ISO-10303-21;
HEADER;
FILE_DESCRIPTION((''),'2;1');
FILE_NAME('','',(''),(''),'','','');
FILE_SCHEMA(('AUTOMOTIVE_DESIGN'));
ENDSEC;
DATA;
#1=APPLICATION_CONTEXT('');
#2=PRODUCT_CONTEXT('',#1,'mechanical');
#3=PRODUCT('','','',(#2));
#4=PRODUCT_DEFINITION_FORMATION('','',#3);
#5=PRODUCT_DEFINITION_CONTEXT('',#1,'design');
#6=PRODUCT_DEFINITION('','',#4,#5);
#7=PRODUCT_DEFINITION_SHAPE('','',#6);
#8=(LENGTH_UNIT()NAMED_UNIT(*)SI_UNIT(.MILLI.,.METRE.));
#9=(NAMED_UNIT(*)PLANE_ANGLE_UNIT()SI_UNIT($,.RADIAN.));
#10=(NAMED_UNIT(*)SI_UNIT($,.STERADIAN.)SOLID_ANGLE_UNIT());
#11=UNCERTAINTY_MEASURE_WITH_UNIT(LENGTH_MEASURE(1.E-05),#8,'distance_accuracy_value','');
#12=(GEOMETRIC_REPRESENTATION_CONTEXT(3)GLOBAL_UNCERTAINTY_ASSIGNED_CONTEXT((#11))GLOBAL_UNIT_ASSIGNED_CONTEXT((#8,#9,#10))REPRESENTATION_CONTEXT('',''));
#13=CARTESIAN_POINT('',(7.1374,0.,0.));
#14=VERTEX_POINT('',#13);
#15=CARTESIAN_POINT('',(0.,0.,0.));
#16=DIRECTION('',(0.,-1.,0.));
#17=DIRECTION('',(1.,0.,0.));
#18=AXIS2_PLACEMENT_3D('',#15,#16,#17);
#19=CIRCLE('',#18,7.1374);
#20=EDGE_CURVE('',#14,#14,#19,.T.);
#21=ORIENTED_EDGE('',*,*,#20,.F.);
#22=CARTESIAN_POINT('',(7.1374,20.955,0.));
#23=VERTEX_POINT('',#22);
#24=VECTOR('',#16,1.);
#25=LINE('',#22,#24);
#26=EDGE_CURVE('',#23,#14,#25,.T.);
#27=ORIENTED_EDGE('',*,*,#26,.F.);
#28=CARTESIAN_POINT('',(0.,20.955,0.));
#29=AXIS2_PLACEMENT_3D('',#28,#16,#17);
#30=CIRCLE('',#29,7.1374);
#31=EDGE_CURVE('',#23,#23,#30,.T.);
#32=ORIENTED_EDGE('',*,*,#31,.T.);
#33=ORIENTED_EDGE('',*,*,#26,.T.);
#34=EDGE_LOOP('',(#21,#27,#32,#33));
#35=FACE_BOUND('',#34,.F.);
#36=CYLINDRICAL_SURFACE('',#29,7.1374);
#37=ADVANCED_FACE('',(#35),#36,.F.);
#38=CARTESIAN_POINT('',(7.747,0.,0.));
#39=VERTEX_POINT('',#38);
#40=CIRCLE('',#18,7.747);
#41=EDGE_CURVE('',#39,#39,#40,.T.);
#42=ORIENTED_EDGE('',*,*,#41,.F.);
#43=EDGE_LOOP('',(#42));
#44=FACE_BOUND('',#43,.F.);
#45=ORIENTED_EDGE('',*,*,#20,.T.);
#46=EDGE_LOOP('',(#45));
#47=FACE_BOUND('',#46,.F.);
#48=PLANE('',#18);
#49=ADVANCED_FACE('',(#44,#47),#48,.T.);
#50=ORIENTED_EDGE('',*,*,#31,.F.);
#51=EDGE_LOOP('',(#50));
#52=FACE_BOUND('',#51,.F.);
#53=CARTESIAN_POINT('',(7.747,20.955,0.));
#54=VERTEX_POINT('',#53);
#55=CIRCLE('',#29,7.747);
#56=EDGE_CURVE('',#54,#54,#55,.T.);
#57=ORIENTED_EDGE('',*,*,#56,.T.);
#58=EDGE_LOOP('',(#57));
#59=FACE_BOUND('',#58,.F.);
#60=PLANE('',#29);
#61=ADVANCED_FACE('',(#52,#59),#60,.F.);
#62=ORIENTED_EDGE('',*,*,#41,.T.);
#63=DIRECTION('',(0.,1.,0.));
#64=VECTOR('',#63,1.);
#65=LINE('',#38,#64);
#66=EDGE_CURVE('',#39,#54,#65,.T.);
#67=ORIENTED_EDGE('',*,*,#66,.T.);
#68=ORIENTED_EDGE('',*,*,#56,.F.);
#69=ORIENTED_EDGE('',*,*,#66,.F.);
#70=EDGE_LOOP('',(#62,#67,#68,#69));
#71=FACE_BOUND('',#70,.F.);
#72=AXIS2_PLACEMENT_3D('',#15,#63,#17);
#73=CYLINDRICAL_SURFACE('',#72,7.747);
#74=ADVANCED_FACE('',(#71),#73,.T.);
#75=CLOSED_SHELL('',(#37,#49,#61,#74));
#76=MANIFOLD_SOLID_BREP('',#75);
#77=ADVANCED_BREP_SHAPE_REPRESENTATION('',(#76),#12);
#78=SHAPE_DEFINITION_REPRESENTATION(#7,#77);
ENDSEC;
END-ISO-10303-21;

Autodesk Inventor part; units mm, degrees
sketch "Sketch_4" plane through (0, 0, 0) normal (0, 0, 1) x (1, 0, 0)
  line L0 (0, 0) -> (0, 20.955)
  line L1 (7.1374, 20.955) -> (7.1374, 0)
  line L2 (7.1374, 0) -> (7.747, 0)
  line L3 (7.747, 0) -> (7.747, 20.955)
  line L4 (7.747, 20.955) -> (7.1374, 20.955)
revolve "Revolution1" add sketch "Sketch_4" angle 360 about axis through (0, 0, 0) along (0, -1, 0)
ref_plane "rod_to_part_XY" through (0, 10.4775, 0) normal (0, 1, 0) x (1, 0, 0)
ref_plane "rod_to_part_YZ" through (0, 10.4775, 0) normal (1, 0, 0) x (0, 0, -1)
ref_plane "rod_to_part_ZX" through (0, 10.4775, 0) normal (0, 0, -1) x (0, 1, 0)
ref_plane "to_road_XY" through (0, 10.4775, 0) normal (0, 1, 0) x (1, 0, 0)
ref_plane "to_road_YZ" through (0, 10.4775, 0) normal (1, 0, 0) x (0, 0, -1)
ref_plane "to_road_ZX" through (0, 10.4775, 0) normal (0, 0, -1) x (0, 1, 0)
ref_plane "track1_XY" through (-7.747, 18.415, 0) normal (0, 1, 0) x (1, 0, 0)
ref_plane "track1_YZ" through (-7.747, 18.415, 0) normal (1, 0, 0) x (0, 0, -1)
ref_plane "track1_ZX" through (-7.747, 18.415, 0) normal (0, 0, -1) x (0, 1, 0)
ref_plane "track1_u_XY" through (-7.747, 2.54, 0) normal (0, 1, 0) x (1, 0, 0)
ref_plane "track1_u_YZ" through (-7.747, 2.54, 0) normal (1, 0, 0) x (0, 0, -1)
ref_plane "track1_u_ZX" through (-7.747, 2.54, 0) normal (0, 0, -1) x (0, 1, 0)
ref_plane "track2_XY" through (0, 18.415, -7.747) normal (0, 1, 0) x (1, 0, 0)
ref_plane "track2_YZ" through (0, 18.415, -7.747) normal (1, 0, 0) x (0, 0, -1)
ref_plane "track2_ZX" through (0, 18.415, -7.747) normal (0, 0, -1) x (0, 1, 0)
ref_plane "track2_u_XY" through (0, 2.54, -7.747) normal (0, 1, 0) x (1, 0, 0)
ref_plane "track2_u_YZ" through (0, 2.54, -7.747) normal (1, 0, 0) x (0, 0, -1)
ref_plane "track2_u_ZX" through (0, 2.54, -7.747) normal (0, 0, -1) x (0, 1, 0)
ref_plane "track3_XY" through (7.747, 18.415, 0) normal (0, 1, 0) x (1, 0, 0)
ref_plane "track3_YZ" through (7.747, 18.415, 0) normal (1, 0, 0) x (0, 0, -1)
ref_plane "track3_ZX" through (7.747, 18.415, 0) normal (0, 0, -1) x (0, 1, 0)
ref_plane "track3_u_XY" through (7.747, 2.54, 0) normal (0, 1, 0) x (1, 0, 0)
ref_plane "track3_u_YZ" through (7.747, 2.54, 0) normal (1, 0, 0) x (0, 0, -1)
ref_plane "track3_u_ZX" through (7.747, 2.54, 0) normal (0, 0, -1) x (0, 1, 0)
ref_plane "track4_XY" through (0, 18.415, 7.747) normal (0, 1, 0) x (1, 0, 0)
ref_plane "track4_YZ" through (0, 18.415, 7.747) normal (1, 0, 0) x (0, 0, -1)
ref_plane "track4_ZX" through (0, 18.415, 7.747) normal (0, 0, -1) x (0, 1, 0)
ref_plane "track4_u_XY" through (0, 2.54, 7.747) normal (0, 1, 0) x (1, 0, 0)
ref_plane "track4_u_YZ" through (0, 2.54, 7.747) normal (1, 0, 0) x (0, 0, -1)
ref_plane "track4_u_ZX" through (0, 2.54, 7.747) normal (0, 0, -1) x (0, 1, 0)
ref_plane "tube_rear_XY" through (0, 20.955, 0) normal (0, 1, 0) x (1, 0, 0)
ref_plane "tube_rear_YZ" through (0, 20.955, 0) normal (1, 0, 0) x (0, 0, -1)
ref_plane "tube_rear_ZX" through (0, 20.955, 0) normal (0, 0, -1) x (0, 1, 0)
ref_plane "tube_rod_guide_XY" through (0, 0, 0) normal (0, 1, 0) x (1, 0, 0)
ref_plane "tube_rod_guide_YZ" through (0, 0, 0) normal (1, 0, 0) x (0, 0, -1)
ref_plane "tube_rod_guide_ZX" through (0, 0, 0) normal (0, 0, -1) x (0, 1, 0)
properties part number "020.825-FO1_BM_tube"
